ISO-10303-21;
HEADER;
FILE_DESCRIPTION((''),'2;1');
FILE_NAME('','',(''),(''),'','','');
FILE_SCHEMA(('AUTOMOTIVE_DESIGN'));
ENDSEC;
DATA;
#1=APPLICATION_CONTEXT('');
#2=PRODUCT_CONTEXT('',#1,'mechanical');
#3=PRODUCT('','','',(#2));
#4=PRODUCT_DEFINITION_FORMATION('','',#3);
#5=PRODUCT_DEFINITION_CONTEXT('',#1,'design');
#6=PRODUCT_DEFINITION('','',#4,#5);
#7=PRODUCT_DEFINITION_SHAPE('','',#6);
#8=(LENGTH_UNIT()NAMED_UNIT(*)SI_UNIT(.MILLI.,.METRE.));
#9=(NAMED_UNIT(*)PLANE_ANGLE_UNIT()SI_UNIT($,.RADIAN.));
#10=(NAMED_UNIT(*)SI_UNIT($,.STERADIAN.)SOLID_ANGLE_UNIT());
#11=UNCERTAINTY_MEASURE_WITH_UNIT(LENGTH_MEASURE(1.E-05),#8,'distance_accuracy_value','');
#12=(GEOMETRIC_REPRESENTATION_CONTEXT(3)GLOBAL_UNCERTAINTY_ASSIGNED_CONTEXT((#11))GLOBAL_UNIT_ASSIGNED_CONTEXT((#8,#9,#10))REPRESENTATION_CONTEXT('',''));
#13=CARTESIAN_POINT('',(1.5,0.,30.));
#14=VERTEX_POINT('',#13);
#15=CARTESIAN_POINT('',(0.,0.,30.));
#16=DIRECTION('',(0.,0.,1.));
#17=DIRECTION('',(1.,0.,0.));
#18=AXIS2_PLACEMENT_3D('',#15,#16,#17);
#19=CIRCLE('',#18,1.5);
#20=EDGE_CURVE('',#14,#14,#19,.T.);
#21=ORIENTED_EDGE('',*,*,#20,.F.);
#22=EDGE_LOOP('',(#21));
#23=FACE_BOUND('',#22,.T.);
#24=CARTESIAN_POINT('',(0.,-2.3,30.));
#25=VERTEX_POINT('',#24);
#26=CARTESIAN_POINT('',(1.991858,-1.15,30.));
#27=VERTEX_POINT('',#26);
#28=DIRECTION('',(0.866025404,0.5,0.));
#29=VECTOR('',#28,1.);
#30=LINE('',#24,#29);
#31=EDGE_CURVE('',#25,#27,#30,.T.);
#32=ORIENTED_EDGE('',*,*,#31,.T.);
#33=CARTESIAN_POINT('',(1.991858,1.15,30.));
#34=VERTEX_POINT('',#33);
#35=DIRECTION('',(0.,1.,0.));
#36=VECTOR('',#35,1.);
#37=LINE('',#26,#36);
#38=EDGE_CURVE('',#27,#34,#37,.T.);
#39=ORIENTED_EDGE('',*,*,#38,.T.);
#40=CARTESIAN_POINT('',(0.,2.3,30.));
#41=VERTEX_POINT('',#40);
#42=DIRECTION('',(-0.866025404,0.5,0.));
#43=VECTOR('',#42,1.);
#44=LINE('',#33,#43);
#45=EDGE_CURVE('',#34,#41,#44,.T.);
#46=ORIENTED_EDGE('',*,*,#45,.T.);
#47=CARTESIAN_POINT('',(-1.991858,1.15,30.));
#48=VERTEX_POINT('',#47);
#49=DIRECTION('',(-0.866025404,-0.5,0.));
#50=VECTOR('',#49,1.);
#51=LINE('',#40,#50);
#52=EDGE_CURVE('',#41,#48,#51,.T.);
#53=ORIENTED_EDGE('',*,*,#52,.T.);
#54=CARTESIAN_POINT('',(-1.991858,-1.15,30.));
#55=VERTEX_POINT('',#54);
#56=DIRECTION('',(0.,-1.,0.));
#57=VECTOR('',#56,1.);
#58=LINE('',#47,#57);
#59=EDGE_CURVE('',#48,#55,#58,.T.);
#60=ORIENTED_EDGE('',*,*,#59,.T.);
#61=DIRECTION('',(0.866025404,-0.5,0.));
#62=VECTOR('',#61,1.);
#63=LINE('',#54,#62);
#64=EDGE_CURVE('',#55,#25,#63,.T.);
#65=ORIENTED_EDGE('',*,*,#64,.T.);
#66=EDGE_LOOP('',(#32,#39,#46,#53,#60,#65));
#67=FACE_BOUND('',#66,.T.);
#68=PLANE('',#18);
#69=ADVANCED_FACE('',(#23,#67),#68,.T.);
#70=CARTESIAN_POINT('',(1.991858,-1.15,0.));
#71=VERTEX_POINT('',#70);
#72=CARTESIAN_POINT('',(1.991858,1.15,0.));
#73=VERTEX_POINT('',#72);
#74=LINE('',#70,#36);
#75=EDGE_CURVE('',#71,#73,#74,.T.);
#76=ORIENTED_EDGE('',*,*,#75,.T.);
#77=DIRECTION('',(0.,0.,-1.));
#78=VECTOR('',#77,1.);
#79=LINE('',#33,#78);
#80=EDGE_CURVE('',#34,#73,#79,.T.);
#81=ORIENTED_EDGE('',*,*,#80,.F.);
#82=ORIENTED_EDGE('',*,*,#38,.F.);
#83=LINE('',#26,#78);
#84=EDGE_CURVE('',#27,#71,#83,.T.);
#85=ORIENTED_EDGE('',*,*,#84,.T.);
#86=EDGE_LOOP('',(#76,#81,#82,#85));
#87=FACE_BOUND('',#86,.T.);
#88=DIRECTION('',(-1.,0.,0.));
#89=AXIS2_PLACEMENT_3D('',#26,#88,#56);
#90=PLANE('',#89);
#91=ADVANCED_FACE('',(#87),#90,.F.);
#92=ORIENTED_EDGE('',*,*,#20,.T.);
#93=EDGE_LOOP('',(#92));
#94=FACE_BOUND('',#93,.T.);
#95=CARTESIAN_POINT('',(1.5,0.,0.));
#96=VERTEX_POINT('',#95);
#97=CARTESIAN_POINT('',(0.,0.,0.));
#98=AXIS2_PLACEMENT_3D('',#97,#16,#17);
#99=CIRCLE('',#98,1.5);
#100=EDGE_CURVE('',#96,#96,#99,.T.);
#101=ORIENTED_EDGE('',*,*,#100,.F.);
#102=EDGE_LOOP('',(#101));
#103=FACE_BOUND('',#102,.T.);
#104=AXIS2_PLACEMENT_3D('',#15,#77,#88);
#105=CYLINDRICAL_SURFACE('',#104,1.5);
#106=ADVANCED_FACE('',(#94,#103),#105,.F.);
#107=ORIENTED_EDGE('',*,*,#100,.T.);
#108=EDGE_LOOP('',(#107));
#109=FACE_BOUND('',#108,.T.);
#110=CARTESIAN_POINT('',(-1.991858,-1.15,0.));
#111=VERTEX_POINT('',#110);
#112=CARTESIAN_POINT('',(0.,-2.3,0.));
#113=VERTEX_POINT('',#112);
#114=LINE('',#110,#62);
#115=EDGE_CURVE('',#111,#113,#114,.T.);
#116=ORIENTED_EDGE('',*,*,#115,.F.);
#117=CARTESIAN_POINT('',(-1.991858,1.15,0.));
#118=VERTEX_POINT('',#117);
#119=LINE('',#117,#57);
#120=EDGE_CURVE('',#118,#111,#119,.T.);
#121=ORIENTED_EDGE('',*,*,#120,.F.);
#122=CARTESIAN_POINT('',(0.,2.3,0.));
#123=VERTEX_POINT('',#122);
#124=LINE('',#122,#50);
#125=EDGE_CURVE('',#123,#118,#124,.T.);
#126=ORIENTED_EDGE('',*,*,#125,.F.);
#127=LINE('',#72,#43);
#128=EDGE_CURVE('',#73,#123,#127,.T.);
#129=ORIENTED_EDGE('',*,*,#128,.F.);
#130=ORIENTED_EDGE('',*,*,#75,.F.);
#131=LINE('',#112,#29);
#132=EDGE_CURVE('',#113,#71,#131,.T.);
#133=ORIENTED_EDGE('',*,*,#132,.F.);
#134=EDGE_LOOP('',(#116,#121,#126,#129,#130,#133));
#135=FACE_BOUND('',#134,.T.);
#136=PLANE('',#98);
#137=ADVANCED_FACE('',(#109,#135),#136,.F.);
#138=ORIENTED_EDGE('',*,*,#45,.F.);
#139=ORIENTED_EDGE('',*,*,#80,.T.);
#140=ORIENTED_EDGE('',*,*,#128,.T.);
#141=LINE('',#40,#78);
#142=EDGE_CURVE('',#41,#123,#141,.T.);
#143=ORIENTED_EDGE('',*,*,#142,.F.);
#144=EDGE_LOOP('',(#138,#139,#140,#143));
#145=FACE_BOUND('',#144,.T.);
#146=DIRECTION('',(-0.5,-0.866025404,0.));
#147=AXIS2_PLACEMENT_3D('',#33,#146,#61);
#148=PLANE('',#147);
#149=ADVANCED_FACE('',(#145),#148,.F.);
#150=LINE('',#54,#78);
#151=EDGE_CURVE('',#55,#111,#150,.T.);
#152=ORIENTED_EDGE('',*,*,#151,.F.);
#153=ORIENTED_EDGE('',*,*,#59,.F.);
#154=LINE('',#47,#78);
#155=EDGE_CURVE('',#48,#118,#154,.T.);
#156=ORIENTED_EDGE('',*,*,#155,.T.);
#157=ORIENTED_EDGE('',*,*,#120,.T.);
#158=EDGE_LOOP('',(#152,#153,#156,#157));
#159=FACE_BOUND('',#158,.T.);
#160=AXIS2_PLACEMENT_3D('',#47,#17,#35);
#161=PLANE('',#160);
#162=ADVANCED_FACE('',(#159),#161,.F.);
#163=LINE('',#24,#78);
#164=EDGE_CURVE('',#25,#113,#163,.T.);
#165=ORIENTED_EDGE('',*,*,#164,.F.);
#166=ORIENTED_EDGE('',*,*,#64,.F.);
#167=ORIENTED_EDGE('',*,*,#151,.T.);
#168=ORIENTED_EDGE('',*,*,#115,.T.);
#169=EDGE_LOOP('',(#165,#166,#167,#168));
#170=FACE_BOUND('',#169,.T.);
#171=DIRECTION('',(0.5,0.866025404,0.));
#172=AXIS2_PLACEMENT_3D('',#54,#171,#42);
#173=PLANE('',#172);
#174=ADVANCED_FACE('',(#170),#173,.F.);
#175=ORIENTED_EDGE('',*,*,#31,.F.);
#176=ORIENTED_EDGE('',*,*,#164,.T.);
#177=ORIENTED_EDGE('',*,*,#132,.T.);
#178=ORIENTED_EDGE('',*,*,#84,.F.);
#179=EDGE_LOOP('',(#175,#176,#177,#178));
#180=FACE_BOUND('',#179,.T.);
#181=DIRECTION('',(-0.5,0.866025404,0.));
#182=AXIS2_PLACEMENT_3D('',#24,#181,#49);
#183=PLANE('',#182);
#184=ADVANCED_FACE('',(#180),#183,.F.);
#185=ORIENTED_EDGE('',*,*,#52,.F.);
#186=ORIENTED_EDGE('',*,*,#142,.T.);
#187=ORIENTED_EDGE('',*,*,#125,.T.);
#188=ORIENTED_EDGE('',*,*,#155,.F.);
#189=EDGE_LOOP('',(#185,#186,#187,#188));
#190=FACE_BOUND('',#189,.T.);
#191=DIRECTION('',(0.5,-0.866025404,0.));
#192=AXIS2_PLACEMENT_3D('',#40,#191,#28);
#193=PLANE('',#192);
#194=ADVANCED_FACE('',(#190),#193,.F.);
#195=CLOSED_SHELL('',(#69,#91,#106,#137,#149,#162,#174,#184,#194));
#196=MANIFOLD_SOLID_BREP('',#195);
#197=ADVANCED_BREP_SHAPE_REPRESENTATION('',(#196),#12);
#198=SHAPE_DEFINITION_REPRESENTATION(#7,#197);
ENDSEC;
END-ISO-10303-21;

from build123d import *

# Parameters (mm, degrees)
SKETCH_1_R      = 1.5
EXTRUDE_1_DEPTH = 30


with BuildPart() as part:
    # 草图1 → 凸台-拉伸1 (new body)
    with BuildSketch(Plane.XY):
        Polygon((0, 2.3), (-1.991858429, 1.15), (-1.991858429, -1.15), (0, -2.3), (1.991858429, -1.15), (1.991858429, 1.15), align=None)
        Circle(SKETCH_1_R, mode=Mode.SUBTRACT)
    extrude(amount=EXTRUDE_1_DEPTH)


solid = part.part
